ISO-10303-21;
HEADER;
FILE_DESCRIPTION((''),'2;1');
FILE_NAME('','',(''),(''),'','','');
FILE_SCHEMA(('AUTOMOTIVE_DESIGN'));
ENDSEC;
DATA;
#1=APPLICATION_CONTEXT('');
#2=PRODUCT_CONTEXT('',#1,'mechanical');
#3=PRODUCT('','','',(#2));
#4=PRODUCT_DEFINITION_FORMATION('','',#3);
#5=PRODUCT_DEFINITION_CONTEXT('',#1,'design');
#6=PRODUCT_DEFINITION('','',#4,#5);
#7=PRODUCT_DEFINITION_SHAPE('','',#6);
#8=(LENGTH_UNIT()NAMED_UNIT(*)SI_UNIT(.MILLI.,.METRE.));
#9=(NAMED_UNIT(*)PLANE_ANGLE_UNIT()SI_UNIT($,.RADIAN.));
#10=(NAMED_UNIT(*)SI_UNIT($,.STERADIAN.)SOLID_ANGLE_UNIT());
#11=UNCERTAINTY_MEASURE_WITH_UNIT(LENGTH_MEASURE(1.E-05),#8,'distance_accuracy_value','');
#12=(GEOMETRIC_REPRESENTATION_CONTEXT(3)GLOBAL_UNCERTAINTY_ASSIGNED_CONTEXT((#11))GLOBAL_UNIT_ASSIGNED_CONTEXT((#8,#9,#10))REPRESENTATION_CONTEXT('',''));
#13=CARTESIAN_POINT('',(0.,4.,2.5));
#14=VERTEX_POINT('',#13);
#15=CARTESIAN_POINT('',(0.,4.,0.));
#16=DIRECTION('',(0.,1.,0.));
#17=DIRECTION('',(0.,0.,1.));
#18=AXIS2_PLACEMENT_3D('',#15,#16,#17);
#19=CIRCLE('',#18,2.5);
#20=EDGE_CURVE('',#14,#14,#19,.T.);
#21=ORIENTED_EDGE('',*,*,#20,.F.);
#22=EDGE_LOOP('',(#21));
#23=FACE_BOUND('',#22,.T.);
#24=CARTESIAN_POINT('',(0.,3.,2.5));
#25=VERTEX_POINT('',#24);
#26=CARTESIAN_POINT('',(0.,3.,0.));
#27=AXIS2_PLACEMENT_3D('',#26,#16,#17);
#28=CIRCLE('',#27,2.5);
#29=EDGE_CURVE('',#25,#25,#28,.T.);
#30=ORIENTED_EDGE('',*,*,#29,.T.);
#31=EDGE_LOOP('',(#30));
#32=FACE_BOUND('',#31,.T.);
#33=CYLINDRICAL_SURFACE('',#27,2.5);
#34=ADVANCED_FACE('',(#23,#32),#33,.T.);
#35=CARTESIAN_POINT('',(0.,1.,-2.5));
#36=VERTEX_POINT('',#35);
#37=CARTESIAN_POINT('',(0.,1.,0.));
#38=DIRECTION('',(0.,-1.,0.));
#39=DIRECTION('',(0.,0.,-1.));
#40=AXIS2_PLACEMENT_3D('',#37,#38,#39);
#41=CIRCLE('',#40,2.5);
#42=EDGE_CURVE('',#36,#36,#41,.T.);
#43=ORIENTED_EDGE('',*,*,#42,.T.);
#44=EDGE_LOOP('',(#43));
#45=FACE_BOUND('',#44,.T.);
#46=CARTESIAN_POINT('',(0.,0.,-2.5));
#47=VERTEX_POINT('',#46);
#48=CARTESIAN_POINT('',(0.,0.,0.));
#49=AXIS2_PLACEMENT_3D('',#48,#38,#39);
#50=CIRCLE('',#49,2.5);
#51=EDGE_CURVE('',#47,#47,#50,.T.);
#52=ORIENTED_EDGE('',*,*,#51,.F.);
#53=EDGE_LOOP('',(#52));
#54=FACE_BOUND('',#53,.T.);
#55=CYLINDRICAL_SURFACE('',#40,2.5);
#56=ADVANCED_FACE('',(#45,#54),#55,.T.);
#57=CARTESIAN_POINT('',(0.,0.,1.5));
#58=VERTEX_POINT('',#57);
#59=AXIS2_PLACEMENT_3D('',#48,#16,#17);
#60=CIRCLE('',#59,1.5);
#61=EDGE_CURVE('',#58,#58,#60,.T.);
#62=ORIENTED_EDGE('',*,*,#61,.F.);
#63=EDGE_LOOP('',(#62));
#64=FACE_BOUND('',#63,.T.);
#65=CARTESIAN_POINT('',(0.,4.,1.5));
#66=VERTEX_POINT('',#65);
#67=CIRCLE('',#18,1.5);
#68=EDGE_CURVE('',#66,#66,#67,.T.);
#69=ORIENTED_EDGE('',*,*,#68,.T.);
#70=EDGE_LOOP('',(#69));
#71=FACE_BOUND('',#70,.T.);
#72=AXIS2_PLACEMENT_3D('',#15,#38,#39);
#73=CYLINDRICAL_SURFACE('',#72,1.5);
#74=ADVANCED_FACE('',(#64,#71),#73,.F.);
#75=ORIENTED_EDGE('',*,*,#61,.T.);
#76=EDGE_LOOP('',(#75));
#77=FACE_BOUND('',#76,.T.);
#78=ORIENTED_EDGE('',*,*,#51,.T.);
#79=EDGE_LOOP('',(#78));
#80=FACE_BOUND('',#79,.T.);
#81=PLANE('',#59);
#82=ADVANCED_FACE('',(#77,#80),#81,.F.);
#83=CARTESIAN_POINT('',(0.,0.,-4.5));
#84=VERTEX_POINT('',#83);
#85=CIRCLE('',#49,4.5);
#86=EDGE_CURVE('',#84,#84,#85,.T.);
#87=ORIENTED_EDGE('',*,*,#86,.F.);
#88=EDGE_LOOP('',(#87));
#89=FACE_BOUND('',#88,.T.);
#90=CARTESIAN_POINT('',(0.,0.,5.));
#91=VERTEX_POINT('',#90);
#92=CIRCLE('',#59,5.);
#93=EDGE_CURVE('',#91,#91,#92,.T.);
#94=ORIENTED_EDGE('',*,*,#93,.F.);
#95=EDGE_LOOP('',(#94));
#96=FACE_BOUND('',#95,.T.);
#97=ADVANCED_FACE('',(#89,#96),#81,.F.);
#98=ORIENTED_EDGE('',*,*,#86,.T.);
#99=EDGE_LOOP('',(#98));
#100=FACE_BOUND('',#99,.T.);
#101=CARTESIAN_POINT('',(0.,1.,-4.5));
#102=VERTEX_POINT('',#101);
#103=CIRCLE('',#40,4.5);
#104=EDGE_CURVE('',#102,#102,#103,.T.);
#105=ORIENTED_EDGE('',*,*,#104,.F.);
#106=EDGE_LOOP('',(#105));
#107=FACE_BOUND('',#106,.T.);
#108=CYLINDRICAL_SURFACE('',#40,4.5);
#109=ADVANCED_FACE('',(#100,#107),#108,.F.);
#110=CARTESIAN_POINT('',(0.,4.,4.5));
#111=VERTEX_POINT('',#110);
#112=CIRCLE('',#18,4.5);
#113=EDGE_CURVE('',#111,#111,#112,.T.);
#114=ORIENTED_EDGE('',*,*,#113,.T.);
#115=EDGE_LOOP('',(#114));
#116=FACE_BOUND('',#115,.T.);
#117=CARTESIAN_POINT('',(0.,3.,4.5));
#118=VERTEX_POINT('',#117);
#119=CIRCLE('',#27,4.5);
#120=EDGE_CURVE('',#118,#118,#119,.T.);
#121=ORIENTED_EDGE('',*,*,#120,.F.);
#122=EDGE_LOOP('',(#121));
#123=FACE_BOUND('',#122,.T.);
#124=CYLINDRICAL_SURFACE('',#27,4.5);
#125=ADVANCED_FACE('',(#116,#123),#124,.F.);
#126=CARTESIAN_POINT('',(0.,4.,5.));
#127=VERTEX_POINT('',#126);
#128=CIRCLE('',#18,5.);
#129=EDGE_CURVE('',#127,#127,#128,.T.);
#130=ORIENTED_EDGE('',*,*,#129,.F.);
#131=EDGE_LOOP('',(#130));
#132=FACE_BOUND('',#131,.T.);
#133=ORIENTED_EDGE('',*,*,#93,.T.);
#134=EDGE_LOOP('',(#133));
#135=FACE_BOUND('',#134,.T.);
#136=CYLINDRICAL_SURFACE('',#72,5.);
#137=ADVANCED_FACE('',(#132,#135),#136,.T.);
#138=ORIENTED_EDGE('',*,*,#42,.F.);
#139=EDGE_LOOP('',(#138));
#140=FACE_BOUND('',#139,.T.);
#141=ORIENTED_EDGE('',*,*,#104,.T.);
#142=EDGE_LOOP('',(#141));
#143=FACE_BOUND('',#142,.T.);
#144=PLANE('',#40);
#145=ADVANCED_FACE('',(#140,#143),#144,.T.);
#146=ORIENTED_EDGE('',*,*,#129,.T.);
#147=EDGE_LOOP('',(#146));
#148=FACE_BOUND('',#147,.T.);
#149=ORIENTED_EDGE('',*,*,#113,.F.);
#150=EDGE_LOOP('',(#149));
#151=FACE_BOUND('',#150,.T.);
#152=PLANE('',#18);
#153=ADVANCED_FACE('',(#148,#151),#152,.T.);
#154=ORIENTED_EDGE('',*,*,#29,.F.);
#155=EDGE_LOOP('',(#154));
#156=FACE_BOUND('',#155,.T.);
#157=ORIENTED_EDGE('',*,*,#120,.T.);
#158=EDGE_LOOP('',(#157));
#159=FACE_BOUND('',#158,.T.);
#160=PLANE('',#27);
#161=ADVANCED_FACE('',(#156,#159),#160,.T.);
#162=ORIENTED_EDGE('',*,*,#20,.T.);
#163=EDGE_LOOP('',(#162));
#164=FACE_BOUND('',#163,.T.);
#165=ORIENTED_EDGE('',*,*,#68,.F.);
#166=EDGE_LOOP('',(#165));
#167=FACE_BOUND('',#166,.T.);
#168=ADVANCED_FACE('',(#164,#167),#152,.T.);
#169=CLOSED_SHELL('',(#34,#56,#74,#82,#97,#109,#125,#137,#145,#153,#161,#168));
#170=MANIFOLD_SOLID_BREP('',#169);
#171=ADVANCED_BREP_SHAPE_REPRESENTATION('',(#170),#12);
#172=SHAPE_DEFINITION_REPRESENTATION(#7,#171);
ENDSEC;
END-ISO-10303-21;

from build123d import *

# Parameters (mm, degrees)
SKETCH_1_R          = 5
SKETCH_1_R_2        = 1.5
EXTRUDE_1_DEPTH     = 4
SKETCH_2_R          = 4.5
SKETCH_2_R_2        = 2.5
CUT_EXTRUDE_1_DEPTH = 1
CUT_EXTRUDE_START   = -1
SKETCH_3_R          = 4.5
SKETCH_3_R_2        = 2.5
CUT_EXTRUDE_2_DEPTH = 1


with BuildPart() as part:
    # Эскиз1 → Бобышка-Вытянуть1 (new body)
    with BuildSketch(Plane(origin=(0, 0, 0), x_dir=(1, 0, 0), z_dir=(0, 1, 0))):
        with Locations(Location((0, 0, 0), (0, 0, 270))):
            Circle(SKETCH_1_R)
        with Locations(Location((0, 0, 0), (0, 0, 270))):
            Circle(SKETCH_1_R_2, mode=Mode.SUBTRACT)
    extrude(amount=EXTRUDE_1_DEPTH)

    # Эскиз2 → Вырез-Вытянуть1 (cut)
    with BuildSketch(Plane(origin=(0, 4, 0), x_dir=(1, 0, 0), z_dir=(0, 1, 0))):
        with Locations(Location((0, 0, 0), (0, 0, 270))):
            Circle(SKETCH_2_R)
        with Locations(Location((0, 0, 0), (0, 0, 270))):
            Circle(SKETCH_2_R_2, mode=Mode.SUBTRACT)
    extrude(amount=-CUT_EXTRUDE_1_DEPTH, mode=Mode.SUBTRACT)

    # Эскиз3 → Вырез-Вытянуть2 (cut)
    with BuildSketch(Plane.XZ.offset(CUT_EXTRUDE_START)):
        with Locations(Location((0, 0, 0), (0, 0, 90))):
            Circle(SKETCH_3_R)
        with Locations(Location((0, 0, 0), (0, 0, 90))):
            Circle(SKETCH_3_R_2, mode=Mode.SUBTRACT)
    extrude(amount=CUT_EXTRUDE_2_DEPTH, mode=Mode.SUBTRACT)


solid = part.part
